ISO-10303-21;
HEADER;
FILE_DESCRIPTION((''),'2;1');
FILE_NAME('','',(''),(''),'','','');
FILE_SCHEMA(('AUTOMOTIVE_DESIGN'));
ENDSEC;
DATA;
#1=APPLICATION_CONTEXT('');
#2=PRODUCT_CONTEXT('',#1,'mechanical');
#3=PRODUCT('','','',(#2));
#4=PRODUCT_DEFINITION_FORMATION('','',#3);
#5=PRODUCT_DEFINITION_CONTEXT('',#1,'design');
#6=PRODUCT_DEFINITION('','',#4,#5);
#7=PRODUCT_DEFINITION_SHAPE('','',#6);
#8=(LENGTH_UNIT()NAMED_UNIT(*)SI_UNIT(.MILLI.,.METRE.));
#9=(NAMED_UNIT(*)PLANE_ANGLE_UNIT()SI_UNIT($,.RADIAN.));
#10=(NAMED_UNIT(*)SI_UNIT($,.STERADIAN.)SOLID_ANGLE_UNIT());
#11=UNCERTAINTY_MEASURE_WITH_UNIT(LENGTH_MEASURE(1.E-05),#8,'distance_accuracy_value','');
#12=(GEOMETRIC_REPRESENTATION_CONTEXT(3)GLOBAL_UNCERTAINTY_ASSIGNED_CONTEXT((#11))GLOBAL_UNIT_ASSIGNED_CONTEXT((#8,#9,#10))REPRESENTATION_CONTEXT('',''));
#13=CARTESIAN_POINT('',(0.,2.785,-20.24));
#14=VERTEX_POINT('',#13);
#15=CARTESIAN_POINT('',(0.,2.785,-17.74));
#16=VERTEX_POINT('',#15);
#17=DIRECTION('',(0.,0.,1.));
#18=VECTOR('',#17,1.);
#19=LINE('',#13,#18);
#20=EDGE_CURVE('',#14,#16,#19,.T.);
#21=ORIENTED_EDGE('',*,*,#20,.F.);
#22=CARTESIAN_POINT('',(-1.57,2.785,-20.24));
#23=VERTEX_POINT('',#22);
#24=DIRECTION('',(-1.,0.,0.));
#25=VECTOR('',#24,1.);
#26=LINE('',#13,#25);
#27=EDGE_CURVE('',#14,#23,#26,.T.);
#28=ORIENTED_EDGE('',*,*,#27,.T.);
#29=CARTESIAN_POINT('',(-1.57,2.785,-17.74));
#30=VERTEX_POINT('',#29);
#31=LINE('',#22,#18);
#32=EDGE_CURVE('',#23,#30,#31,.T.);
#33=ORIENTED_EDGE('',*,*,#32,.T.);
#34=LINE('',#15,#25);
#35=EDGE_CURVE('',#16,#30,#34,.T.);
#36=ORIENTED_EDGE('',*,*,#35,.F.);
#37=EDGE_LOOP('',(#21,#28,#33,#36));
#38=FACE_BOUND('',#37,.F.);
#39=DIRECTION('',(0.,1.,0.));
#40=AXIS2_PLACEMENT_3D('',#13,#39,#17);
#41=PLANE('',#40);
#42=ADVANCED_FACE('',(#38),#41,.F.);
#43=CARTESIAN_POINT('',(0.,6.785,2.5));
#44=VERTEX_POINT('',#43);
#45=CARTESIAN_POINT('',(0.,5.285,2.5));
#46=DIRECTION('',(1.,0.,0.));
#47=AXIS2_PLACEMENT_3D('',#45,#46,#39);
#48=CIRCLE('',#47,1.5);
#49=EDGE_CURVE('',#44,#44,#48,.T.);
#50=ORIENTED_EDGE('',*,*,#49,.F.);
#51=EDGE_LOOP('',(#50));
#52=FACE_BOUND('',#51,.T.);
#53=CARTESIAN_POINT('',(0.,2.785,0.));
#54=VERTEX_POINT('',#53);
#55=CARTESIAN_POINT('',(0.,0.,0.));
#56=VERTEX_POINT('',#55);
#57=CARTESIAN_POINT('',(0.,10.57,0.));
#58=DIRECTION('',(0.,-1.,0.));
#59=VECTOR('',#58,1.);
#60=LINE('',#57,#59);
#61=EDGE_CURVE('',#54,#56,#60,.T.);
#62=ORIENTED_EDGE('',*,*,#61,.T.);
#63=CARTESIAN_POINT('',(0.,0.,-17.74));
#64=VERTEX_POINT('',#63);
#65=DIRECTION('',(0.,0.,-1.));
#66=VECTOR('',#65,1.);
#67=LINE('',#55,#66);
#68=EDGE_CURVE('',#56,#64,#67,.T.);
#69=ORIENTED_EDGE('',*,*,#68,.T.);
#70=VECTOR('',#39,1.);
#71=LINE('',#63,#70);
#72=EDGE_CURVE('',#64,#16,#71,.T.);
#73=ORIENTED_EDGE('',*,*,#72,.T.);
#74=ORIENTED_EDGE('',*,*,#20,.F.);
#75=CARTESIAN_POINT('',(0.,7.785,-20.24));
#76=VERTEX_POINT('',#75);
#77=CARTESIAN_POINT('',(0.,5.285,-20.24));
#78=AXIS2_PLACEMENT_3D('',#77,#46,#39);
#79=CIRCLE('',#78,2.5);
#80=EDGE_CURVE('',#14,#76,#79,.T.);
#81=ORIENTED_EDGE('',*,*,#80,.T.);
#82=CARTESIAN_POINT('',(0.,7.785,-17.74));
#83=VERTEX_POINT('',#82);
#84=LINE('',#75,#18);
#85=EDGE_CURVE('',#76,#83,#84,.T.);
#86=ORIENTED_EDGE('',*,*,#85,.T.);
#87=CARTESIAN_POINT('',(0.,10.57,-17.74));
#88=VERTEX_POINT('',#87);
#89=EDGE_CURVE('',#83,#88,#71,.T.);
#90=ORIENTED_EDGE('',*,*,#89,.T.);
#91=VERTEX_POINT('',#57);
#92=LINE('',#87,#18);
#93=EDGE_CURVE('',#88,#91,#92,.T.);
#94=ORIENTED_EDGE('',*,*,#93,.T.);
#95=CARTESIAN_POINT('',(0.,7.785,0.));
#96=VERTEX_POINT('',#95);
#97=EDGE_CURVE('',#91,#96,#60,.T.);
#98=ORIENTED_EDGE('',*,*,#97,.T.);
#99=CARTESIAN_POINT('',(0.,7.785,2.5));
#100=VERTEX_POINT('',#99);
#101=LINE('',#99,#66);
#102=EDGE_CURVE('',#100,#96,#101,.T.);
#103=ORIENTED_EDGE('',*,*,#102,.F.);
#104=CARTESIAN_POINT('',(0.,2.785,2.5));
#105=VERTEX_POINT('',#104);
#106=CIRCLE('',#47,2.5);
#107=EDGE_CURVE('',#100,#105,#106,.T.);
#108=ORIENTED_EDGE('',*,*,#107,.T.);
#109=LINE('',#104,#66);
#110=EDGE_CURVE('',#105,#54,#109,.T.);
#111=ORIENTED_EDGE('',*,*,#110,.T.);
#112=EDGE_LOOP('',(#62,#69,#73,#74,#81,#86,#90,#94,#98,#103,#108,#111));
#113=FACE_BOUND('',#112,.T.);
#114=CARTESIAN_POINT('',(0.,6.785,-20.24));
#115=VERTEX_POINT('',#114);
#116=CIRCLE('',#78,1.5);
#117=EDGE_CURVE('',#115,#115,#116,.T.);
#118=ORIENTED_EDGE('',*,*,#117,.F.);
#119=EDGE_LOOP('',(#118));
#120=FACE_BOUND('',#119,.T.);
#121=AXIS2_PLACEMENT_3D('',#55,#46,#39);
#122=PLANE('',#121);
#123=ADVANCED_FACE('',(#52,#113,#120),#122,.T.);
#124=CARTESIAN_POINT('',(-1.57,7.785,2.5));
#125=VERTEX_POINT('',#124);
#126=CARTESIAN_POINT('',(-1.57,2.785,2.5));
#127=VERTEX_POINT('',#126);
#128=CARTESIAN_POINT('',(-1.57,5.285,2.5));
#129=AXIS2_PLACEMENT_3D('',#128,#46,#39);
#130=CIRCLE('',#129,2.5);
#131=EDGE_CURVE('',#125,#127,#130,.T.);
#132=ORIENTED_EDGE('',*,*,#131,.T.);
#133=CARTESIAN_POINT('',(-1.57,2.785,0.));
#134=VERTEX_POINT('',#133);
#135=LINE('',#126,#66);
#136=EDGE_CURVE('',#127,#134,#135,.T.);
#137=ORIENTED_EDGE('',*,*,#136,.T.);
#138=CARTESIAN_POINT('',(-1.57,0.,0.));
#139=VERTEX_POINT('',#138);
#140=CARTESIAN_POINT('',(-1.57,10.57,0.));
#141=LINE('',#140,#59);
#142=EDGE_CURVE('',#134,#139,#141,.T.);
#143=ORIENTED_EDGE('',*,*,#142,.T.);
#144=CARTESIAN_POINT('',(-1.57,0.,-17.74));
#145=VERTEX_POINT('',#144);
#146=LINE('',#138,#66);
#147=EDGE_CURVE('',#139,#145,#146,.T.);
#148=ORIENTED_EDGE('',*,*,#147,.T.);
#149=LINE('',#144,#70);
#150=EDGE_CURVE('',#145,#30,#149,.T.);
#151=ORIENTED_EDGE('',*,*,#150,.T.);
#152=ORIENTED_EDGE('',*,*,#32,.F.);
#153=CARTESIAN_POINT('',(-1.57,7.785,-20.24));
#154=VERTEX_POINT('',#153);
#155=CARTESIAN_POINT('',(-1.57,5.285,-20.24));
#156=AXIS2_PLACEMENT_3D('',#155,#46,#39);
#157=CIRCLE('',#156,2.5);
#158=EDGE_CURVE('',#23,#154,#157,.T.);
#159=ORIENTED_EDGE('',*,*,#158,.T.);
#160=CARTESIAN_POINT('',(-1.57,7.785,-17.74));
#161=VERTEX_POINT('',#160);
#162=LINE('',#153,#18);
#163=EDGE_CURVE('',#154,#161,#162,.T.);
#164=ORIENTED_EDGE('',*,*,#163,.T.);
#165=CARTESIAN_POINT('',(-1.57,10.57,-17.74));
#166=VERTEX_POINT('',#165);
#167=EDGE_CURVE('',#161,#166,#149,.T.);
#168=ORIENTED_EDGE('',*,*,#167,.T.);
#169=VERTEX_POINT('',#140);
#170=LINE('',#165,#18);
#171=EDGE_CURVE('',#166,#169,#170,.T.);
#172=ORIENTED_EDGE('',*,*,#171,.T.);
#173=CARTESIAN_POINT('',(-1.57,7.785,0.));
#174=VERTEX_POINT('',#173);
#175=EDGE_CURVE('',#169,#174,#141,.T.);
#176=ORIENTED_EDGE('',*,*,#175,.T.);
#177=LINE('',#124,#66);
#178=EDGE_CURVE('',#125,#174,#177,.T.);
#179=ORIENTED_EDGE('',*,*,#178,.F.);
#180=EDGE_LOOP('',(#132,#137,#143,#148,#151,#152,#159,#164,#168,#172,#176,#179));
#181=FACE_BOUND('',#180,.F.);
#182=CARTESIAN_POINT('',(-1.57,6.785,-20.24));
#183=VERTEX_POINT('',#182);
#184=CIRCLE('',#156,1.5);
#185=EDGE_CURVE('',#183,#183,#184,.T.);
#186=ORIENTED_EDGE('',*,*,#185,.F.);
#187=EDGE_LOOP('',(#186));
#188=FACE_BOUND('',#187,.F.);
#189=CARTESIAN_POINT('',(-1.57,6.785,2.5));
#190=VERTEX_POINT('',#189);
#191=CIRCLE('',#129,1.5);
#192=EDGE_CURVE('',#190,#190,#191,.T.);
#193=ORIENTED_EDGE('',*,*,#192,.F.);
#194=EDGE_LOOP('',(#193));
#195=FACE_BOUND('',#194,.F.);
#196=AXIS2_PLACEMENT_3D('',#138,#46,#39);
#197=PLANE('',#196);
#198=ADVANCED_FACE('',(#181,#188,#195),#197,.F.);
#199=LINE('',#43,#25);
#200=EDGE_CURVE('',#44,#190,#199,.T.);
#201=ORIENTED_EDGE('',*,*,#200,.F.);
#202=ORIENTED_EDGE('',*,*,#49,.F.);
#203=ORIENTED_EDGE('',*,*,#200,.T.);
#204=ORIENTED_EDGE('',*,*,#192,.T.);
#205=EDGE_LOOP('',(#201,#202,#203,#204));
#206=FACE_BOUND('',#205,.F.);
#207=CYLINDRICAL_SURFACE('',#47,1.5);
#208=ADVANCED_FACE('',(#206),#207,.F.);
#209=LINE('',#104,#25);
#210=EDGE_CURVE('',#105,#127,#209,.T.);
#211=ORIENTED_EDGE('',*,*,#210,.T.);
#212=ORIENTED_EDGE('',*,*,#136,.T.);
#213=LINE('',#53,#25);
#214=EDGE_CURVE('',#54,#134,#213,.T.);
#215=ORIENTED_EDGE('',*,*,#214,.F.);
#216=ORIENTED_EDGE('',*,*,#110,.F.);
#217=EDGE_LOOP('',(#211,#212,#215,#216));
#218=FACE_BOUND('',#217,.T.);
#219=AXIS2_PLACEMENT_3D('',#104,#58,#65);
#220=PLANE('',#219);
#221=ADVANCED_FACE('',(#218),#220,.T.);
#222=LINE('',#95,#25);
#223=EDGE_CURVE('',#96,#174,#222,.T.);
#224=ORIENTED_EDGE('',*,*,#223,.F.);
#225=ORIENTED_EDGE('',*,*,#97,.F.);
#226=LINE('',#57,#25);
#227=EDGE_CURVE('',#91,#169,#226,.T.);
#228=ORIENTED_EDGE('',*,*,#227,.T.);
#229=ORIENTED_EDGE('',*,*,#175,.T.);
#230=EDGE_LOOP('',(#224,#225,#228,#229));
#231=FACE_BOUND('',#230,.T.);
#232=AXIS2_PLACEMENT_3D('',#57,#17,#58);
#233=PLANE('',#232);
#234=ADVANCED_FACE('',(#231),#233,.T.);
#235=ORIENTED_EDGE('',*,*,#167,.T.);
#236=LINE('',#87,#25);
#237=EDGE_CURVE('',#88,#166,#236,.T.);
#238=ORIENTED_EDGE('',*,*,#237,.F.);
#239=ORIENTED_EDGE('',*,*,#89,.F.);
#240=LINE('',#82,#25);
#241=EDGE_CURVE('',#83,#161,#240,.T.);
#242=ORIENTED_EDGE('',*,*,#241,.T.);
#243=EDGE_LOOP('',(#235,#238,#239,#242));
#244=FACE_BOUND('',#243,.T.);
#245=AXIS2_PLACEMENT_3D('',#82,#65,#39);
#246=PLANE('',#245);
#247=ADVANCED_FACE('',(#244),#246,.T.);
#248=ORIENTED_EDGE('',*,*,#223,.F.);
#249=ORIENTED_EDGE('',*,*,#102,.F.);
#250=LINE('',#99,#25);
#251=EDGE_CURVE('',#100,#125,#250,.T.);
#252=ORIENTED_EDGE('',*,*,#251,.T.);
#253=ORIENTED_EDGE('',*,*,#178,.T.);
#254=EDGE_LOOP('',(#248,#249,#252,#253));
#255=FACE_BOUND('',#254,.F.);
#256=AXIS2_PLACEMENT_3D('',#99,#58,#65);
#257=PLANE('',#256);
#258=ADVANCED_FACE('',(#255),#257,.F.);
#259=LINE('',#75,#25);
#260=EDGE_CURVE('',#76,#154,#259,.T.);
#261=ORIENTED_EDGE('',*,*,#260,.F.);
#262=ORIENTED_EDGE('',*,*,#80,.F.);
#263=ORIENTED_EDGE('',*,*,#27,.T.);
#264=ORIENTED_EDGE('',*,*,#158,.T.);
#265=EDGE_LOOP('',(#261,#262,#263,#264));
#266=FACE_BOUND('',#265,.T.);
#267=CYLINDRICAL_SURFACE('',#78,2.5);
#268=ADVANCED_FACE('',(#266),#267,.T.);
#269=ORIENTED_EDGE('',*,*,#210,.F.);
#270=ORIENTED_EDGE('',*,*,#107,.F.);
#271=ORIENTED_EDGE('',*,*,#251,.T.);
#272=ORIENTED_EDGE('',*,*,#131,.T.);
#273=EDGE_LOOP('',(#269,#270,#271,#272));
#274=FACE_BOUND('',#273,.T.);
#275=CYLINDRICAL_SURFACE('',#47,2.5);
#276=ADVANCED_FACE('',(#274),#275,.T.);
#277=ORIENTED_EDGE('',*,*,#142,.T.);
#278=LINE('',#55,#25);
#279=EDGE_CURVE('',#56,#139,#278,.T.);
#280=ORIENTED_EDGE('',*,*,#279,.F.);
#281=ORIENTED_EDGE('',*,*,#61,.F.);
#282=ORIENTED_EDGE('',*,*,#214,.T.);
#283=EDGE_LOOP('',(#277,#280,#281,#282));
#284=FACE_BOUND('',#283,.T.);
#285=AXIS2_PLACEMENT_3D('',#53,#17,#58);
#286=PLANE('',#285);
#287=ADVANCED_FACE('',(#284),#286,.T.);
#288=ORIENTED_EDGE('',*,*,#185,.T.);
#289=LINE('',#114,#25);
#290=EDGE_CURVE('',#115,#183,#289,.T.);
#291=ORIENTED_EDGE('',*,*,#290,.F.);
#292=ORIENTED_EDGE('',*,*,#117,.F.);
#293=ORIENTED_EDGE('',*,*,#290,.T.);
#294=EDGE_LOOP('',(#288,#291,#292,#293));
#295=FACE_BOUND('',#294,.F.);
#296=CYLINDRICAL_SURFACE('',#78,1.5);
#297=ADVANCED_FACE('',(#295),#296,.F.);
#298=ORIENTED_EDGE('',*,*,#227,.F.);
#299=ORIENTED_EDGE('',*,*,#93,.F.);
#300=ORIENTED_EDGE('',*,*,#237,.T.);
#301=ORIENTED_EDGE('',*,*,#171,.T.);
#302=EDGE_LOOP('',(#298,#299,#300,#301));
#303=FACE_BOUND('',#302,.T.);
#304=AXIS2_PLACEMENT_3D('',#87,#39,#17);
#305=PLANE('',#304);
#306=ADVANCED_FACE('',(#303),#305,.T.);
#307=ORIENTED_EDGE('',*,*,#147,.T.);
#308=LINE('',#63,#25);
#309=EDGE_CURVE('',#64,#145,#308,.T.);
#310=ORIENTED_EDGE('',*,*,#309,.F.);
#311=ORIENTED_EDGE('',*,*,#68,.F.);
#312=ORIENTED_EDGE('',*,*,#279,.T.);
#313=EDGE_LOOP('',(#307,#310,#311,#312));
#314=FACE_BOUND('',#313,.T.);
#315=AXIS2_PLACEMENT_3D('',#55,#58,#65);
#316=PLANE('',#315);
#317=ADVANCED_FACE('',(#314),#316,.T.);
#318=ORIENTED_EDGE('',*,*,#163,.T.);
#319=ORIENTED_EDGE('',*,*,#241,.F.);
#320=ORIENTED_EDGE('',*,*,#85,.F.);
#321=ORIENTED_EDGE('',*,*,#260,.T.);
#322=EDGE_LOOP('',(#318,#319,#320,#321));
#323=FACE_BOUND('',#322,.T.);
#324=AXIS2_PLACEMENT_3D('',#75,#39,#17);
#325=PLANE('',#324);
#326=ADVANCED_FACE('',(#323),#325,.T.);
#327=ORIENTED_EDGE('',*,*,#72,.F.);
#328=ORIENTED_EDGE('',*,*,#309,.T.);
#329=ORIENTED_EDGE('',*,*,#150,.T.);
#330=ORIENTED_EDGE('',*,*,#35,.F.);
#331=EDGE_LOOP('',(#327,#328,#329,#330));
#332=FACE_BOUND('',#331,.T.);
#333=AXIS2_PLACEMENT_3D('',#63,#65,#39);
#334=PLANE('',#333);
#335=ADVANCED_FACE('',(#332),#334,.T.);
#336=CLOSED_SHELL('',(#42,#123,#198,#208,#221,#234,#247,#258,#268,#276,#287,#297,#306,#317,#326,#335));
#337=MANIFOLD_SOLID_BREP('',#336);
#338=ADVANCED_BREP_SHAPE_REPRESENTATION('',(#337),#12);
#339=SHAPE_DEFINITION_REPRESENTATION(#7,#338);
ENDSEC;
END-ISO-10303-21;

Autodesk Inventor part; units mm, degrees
ref_plane "YZ Plane" through (0, 0, 0) normal (1, 0, 0) x (0, 1, 0)
ref_plane "XZ Plane" through (0, 0, 0) normal (0, 1, 0) x (-1, 0, 0)
ref_plane "XY Plane" through (0, 0, 0) normal (0, 0, 1) x (1, 0, 0)
sketch "Sketch1" plane through (0, 0, 0) normal (1, 0, 0) x (0, 1, 0)
  line L0 (10.57, 0) -> (0, 0)
  line L1 (0, 0) -> (0, -17.74)
  line L2 (0, -17.74) -> (10.57, -17.74)
  line L3 (10.57, -17.74) -> (10.57, 0)
  circle A0 centre (5.285, 2.5) radius 2.5
  circle A1 centre (5.285, 2.5) radius 1.5
  line L4 (10.57, -8.87) -> (0, -8.87) construction
  circle A2 centre (5.285, -20.24) radius 2.5
  circle A3 centre (5.285, -20.24) radius 1.5
  line L5 (7.785, 2.5) -> (7.785, 0)
  line L6 (2.785, 2.5) -> (2.785, 0)
  line L7 (7.785, -20.24) -> (7.785, -17.74)
  line L8 (2.785, -20.24) -> (2.785, -17.74)
  dimension "d0" = 17.74
  dimension "d1" = 10.57
  dimension "d2" = 5.285
  dimension "d3" = 5
  dimension "d11" = 3
extrude "Extrusion1" add sketch "Sketch1" against normal blind 1.57
properties part number "VL53L1X board"
